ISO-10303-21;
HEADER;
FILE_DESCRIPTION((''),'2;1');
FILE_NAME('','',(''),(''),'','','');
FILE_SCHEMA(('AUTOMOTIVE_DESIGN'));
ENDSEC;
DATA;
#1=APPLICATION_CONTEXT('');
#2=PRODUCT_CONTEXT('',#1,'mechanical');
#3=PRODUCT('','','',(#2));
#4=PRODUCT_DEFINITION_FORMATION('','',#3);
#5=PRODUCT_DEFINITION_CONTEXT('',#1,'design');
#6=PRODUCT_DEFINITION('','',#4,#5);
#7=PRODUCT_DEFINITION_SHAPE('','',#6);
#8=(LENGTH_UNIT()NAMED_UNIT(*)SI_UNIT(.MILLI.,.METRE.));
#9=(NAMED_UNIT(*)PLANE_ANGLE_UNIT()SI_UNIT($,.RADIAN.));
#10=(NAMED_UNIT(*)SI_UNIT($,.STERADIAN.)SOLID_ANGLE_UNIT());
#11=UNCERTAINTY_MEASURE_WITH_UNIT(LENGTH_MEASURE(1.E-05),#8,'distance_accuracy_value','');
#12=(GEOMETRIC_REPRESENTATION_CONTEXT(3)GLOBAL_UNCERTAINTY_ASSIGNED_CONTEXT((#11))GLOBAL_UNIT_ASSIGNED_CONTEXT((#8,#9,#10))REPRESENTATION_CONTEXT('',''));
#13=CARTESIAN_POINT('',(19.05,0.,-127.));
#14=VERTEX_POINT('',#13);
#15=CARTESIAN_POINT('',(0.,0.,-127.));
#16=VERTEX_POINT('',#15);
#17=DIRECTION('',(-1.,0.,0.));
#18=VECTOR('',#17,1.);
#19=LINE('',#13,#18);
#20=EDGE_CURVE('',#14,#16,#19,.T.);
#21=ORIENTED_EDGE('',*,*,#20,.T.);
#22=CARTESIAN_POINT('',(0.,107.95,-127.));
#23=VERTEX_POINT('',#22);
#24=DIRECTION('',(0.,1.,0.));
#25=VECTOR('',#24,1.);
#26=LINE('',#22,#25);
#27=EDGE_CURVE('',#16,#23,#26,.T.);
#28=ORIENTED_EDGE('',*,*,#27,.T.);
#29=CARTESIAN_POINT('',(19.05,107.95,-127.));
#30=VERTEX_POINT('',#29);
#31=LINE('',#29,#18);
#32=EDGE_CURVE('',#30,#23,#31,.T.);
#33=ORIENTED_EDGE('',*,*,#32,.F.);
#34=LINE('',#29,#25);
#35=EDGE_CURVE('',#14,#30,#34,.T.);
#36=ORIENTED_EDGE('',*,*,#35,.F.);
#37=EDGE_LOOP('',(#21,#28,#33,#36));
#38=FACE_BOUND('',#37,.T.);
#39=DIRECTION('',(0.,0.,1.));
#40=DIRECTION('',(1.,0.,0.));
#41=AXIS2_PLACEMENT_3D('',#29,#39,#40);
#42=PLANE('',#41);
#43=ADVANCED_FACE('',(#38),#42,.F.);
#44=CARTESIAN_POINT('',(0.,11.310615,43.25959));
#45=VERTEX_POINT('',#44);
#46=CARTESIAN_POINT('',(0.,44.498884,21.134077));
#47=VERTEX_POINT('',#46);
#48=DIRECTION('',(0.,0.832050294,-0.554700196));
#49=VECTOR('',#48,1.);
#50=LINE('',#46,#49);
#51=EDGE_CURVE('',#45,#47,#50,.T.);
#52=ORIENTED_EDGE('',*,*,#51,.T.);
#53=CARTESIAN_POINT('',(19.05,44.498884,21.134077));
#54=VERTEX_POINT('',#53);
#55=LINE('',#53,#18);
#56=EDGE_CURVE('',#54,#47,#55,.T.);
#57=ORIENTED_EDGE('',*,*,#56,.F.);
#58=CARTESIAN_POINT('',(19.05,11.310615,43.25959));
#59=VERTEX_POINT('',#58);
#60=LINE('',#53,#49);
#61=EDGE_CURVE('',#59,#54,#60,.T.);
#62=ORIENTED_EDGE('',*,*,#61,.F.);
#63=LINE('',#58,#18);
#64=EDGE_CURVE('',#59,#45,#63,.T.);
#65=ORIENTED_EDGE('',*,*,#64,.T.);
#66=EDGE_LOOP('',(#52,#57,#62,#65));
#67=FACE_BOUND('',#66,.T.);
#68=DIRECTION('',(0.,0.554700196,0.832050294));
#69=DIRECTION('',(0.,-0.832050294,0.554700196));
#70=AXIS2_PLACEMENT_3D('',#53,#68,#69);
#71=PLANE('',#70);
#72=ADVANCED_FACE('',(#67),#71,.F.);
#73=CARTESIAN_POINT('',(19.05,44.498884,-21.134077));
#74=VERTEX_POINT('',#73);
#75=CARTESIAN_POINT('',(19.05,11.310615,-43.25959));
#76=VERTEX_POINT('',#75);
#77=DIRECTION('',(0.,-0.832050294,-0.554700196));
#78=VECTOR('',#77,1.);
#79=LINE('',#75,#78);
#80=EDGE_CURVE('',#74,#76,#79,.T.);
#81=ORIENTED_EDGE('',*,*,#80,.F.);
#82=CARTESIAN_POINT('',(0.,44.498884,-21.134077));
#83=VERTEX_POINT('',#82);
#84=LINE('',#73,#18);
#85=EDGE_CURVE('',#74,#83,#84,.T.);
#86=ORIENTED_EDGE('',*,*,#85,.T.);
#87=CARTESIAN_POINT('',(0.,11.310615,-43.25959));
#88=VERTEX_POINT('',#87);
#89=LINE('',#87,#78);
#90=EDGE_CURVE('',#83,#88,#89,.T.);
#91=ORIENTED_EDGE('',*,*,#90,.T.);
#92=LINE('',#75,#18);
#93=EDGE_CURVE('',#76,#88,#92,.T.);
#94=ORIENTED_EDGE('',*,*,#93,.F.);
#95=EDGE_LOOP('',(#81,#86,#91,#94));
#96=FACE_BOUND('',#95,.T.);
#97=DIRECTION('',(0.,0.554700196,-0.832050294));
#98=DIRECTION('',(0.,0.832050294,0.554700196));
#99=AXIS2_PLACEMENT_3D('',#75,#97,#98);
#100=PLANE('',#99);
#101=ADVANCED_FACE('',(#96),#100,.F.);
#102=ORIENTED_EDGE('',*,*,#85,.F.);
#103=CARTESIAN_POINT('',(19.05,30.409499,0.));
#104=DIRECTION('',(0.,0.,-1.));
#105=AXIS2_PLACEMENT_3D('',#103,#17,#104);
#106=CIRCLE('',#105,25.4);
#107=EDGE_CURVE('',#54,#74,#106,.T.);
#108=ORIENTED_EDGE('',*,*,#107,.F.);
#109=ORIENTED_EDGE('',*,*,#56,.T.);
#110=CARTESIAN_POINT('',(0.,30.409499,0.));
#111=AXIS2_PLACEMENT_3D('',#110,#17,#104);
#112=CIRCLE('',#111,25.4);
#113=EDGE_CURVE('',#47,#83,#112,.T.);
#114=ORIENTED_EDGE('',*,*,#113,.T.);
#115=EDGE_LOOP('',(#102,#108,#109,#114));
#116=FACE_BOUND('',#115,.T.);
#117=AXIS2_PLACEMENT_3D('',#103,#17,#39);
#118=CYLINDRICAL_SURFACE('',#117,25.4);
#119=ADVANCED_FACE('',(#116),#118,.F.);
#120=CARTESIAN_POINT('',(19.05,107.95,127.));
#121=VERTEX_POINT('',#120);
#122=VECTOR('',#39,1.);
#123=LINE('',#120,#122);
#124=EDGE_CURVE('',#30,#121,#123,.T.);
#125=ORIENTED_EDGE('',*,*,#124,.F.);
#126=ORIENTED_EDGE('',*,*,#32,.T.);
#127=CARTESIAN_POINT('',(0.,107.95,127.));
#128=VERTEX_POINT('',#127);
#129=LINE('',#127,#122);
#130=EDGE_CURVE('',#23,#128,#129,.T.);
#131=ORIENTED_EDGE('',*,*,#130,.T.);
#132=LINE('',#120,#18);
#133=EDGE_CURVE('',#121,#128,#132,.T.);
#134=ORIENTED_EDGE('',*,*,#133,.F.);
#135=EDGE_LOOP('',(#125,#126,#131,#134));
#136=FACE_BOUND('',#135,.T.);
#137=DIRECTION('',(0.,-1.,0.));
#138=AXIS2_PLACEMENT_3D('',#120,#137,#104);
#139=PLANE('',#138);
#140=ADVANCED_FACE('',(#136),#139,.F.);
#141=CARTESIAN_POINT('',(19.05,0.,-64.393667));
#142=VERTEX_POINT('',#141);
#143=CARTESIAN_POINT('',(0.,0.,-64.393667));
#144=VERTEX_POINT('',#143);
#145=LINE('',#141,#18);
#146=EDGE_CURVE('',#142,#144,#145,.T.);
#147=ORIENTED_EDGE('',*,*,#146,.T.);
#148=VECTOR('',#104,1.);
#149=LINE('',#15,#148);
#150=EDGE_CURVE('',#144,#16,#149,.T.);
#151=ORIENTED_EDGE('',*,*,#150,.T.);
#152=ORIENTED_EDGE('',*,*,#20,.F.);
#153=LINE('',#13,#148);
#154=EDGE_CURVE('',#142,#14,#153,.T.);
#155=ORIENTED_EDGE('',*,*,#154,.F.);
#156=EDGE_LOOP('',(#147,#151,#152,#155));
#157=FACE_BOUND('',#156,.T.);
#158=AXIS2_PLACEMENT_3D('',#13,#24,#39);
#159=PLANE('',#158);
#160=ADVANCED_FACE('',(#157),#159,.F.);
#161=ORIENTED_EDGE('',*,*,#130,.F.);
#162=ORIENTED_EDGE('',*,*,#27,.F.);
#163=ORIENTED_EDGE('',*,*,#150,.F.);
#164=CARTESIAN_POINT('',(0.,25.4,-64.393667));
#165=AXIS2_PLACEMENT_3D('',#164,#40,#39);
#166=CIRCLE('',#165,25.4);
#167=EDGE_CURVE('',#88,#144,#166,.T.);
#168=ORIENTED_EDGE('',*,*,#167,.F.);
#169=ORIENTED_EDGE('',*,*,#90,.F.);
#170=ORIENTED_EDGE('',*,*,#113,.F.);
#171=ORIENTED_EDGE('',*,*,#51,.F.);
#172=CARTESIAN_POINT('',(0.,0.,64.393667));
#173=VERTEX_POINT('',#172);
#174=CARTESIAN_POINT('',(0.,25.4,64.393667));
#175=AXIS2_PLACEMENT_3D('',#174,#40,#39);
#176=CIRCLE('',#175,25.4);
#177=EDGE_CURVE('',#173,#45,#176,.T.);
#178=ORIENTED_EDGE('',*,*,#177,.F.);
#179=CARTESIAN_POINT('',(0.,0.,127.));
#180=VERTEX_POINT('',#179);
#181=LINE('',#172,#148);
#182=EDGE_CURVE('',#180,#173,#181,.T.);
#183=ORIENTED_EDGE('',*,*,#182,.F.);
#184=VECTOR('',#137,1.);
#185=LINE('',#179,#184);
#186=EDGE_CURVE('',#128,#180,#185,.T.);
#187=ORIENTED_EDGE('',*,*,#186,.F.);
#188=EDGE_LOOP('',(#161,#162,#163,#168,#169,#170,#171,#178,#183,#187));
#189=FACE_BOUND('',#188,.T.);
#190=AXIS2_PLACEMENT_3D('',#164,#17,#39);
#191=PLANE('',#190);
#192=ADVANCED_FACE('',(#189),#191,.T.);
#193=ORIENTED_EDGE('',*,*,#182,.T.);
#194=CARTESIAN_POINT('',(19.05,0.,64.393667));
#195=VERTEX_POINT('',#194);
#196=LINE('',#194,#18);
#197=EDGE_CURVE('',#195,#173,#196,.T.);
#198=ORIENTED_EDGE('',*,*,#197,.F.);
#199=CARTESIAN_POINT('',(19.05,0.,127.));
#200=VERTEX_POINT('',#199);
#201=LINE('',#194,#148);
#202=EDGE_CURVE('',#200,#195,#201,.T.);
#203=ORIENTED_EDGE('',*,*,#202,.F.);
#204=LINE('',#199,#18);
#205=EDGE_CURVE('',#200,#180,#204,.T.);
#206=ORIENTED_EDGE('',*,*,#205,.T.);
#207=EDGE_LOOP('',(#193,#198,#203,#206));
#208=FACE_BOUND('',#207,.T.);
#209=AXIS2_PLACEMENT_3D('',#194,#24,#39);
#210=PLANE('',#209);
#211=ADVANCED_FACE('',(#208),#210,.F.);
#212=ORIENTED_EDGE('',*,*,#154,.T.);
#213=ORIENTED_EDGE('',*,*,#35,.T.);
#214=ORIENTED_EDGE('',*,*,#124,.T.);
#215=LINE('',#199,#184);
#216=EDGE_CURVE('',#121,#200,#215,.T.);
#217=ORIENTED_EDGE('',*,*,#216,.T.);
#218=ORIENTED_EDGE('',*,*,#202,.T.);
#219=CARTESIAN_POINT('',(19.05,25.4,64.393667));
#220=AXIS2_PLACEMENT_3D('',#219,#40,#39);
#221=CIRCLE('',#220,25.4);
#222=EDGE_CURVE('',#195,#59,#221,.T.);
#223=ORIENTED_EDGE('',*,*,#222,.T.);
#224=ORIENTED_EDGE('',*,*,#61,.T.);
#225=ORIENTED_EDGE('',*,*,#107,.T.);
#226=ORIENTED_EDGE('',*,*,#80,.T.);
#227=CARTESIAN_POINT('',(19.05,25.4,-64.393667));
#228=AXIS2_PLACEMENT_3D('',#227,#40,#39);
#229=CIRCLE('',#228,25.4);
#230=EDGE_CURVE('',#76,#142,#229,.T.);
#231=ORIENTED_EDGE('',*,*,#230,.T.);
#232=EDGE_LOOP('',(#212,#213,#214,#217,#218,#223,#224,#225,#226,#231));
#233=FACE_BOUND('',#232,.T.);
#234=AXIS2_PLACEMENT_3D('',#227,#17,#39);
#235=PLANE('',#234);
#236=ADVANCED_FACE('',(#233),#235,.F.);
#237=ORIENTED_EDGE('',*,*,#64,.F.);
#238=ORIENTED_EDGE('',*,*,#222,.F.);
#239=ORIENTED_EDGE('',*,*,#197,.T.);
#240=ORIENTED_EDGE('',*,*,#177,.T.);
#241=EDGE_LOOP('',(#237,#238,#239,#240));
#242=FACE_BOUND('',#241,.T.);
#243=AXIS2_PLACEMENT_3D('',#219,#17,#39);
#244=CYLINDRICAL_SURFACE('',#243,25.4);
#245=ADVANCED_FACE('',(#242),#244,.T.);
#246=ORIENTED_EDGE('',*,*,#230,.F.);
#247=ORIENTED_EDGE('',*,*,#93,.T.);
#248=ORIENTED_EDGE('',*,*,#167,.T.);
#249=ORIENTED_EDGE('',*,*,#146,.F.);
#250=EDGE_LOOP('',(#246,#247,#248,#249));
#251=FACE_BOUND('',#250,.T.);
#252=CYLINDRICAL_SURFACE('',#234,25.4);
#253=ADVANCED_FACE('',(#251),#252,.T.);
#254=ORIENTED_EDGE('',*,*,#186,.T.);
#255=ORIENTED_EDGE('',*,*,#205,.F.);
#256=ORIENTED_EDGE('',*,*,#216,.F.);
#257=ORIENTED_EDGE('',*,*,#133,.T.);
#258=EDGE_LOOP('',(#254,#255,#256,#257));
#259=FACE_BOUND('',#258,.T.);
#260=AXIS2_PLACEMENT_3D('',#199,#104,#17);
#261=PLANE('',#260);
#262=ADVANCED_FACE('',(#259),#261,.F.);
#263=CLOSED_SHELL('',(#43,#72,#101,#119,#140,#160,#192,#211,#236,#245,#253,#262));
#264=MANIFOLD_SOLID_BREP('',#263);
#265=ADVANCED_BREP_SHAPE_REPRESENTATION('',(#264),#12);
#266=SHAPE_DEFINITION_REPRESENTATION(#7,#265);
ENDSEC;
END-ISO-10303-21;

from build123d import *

# Parameters (mm, degrees)
BOSS_EXTRUDE1_DEPTH = 19.05


with BuildPart() as part:
    # Sketch1 → Boss-Extrude1 (new body)
    with BuildSketch(Plane(origin=(0, 0, 0), x_dir=(0, 0, -1), z_dir=(1, 0, 0))):
        with BuildLine():
            Line((-127, 0), (-127, 107.95))
            Line((-127, 107.95), (127, 107.95))
            Line((127, 107.95), (127, 0))
            Line((127, 0), (64.393667466, 0))
            ThreePointArc((64.393667466, 0), (52.408476157, 3.005465191), (43.259589989, 11.310615016))
            Line((43.259589989, 11.310615016), (21.134077476, 44.498883786))
            ThreePointArc((21.134077476, 44.498883786), (0, 55.809498802), (-21.134077476, 44.498883786))
            Line((-21.134077476, 44.498883786), (-43.259589989, 11.310615016))
            ThreePointArc((-43.259589989, 11.310615016), (-52.408476157, 3.005465191), (-64.393667466, 0))
            Line((-64.393667466, 0), (-127, 0))
        make_face()
    extrude(amount=BOSS_EXTRUDE1_DEPTH)


solid = part.part
